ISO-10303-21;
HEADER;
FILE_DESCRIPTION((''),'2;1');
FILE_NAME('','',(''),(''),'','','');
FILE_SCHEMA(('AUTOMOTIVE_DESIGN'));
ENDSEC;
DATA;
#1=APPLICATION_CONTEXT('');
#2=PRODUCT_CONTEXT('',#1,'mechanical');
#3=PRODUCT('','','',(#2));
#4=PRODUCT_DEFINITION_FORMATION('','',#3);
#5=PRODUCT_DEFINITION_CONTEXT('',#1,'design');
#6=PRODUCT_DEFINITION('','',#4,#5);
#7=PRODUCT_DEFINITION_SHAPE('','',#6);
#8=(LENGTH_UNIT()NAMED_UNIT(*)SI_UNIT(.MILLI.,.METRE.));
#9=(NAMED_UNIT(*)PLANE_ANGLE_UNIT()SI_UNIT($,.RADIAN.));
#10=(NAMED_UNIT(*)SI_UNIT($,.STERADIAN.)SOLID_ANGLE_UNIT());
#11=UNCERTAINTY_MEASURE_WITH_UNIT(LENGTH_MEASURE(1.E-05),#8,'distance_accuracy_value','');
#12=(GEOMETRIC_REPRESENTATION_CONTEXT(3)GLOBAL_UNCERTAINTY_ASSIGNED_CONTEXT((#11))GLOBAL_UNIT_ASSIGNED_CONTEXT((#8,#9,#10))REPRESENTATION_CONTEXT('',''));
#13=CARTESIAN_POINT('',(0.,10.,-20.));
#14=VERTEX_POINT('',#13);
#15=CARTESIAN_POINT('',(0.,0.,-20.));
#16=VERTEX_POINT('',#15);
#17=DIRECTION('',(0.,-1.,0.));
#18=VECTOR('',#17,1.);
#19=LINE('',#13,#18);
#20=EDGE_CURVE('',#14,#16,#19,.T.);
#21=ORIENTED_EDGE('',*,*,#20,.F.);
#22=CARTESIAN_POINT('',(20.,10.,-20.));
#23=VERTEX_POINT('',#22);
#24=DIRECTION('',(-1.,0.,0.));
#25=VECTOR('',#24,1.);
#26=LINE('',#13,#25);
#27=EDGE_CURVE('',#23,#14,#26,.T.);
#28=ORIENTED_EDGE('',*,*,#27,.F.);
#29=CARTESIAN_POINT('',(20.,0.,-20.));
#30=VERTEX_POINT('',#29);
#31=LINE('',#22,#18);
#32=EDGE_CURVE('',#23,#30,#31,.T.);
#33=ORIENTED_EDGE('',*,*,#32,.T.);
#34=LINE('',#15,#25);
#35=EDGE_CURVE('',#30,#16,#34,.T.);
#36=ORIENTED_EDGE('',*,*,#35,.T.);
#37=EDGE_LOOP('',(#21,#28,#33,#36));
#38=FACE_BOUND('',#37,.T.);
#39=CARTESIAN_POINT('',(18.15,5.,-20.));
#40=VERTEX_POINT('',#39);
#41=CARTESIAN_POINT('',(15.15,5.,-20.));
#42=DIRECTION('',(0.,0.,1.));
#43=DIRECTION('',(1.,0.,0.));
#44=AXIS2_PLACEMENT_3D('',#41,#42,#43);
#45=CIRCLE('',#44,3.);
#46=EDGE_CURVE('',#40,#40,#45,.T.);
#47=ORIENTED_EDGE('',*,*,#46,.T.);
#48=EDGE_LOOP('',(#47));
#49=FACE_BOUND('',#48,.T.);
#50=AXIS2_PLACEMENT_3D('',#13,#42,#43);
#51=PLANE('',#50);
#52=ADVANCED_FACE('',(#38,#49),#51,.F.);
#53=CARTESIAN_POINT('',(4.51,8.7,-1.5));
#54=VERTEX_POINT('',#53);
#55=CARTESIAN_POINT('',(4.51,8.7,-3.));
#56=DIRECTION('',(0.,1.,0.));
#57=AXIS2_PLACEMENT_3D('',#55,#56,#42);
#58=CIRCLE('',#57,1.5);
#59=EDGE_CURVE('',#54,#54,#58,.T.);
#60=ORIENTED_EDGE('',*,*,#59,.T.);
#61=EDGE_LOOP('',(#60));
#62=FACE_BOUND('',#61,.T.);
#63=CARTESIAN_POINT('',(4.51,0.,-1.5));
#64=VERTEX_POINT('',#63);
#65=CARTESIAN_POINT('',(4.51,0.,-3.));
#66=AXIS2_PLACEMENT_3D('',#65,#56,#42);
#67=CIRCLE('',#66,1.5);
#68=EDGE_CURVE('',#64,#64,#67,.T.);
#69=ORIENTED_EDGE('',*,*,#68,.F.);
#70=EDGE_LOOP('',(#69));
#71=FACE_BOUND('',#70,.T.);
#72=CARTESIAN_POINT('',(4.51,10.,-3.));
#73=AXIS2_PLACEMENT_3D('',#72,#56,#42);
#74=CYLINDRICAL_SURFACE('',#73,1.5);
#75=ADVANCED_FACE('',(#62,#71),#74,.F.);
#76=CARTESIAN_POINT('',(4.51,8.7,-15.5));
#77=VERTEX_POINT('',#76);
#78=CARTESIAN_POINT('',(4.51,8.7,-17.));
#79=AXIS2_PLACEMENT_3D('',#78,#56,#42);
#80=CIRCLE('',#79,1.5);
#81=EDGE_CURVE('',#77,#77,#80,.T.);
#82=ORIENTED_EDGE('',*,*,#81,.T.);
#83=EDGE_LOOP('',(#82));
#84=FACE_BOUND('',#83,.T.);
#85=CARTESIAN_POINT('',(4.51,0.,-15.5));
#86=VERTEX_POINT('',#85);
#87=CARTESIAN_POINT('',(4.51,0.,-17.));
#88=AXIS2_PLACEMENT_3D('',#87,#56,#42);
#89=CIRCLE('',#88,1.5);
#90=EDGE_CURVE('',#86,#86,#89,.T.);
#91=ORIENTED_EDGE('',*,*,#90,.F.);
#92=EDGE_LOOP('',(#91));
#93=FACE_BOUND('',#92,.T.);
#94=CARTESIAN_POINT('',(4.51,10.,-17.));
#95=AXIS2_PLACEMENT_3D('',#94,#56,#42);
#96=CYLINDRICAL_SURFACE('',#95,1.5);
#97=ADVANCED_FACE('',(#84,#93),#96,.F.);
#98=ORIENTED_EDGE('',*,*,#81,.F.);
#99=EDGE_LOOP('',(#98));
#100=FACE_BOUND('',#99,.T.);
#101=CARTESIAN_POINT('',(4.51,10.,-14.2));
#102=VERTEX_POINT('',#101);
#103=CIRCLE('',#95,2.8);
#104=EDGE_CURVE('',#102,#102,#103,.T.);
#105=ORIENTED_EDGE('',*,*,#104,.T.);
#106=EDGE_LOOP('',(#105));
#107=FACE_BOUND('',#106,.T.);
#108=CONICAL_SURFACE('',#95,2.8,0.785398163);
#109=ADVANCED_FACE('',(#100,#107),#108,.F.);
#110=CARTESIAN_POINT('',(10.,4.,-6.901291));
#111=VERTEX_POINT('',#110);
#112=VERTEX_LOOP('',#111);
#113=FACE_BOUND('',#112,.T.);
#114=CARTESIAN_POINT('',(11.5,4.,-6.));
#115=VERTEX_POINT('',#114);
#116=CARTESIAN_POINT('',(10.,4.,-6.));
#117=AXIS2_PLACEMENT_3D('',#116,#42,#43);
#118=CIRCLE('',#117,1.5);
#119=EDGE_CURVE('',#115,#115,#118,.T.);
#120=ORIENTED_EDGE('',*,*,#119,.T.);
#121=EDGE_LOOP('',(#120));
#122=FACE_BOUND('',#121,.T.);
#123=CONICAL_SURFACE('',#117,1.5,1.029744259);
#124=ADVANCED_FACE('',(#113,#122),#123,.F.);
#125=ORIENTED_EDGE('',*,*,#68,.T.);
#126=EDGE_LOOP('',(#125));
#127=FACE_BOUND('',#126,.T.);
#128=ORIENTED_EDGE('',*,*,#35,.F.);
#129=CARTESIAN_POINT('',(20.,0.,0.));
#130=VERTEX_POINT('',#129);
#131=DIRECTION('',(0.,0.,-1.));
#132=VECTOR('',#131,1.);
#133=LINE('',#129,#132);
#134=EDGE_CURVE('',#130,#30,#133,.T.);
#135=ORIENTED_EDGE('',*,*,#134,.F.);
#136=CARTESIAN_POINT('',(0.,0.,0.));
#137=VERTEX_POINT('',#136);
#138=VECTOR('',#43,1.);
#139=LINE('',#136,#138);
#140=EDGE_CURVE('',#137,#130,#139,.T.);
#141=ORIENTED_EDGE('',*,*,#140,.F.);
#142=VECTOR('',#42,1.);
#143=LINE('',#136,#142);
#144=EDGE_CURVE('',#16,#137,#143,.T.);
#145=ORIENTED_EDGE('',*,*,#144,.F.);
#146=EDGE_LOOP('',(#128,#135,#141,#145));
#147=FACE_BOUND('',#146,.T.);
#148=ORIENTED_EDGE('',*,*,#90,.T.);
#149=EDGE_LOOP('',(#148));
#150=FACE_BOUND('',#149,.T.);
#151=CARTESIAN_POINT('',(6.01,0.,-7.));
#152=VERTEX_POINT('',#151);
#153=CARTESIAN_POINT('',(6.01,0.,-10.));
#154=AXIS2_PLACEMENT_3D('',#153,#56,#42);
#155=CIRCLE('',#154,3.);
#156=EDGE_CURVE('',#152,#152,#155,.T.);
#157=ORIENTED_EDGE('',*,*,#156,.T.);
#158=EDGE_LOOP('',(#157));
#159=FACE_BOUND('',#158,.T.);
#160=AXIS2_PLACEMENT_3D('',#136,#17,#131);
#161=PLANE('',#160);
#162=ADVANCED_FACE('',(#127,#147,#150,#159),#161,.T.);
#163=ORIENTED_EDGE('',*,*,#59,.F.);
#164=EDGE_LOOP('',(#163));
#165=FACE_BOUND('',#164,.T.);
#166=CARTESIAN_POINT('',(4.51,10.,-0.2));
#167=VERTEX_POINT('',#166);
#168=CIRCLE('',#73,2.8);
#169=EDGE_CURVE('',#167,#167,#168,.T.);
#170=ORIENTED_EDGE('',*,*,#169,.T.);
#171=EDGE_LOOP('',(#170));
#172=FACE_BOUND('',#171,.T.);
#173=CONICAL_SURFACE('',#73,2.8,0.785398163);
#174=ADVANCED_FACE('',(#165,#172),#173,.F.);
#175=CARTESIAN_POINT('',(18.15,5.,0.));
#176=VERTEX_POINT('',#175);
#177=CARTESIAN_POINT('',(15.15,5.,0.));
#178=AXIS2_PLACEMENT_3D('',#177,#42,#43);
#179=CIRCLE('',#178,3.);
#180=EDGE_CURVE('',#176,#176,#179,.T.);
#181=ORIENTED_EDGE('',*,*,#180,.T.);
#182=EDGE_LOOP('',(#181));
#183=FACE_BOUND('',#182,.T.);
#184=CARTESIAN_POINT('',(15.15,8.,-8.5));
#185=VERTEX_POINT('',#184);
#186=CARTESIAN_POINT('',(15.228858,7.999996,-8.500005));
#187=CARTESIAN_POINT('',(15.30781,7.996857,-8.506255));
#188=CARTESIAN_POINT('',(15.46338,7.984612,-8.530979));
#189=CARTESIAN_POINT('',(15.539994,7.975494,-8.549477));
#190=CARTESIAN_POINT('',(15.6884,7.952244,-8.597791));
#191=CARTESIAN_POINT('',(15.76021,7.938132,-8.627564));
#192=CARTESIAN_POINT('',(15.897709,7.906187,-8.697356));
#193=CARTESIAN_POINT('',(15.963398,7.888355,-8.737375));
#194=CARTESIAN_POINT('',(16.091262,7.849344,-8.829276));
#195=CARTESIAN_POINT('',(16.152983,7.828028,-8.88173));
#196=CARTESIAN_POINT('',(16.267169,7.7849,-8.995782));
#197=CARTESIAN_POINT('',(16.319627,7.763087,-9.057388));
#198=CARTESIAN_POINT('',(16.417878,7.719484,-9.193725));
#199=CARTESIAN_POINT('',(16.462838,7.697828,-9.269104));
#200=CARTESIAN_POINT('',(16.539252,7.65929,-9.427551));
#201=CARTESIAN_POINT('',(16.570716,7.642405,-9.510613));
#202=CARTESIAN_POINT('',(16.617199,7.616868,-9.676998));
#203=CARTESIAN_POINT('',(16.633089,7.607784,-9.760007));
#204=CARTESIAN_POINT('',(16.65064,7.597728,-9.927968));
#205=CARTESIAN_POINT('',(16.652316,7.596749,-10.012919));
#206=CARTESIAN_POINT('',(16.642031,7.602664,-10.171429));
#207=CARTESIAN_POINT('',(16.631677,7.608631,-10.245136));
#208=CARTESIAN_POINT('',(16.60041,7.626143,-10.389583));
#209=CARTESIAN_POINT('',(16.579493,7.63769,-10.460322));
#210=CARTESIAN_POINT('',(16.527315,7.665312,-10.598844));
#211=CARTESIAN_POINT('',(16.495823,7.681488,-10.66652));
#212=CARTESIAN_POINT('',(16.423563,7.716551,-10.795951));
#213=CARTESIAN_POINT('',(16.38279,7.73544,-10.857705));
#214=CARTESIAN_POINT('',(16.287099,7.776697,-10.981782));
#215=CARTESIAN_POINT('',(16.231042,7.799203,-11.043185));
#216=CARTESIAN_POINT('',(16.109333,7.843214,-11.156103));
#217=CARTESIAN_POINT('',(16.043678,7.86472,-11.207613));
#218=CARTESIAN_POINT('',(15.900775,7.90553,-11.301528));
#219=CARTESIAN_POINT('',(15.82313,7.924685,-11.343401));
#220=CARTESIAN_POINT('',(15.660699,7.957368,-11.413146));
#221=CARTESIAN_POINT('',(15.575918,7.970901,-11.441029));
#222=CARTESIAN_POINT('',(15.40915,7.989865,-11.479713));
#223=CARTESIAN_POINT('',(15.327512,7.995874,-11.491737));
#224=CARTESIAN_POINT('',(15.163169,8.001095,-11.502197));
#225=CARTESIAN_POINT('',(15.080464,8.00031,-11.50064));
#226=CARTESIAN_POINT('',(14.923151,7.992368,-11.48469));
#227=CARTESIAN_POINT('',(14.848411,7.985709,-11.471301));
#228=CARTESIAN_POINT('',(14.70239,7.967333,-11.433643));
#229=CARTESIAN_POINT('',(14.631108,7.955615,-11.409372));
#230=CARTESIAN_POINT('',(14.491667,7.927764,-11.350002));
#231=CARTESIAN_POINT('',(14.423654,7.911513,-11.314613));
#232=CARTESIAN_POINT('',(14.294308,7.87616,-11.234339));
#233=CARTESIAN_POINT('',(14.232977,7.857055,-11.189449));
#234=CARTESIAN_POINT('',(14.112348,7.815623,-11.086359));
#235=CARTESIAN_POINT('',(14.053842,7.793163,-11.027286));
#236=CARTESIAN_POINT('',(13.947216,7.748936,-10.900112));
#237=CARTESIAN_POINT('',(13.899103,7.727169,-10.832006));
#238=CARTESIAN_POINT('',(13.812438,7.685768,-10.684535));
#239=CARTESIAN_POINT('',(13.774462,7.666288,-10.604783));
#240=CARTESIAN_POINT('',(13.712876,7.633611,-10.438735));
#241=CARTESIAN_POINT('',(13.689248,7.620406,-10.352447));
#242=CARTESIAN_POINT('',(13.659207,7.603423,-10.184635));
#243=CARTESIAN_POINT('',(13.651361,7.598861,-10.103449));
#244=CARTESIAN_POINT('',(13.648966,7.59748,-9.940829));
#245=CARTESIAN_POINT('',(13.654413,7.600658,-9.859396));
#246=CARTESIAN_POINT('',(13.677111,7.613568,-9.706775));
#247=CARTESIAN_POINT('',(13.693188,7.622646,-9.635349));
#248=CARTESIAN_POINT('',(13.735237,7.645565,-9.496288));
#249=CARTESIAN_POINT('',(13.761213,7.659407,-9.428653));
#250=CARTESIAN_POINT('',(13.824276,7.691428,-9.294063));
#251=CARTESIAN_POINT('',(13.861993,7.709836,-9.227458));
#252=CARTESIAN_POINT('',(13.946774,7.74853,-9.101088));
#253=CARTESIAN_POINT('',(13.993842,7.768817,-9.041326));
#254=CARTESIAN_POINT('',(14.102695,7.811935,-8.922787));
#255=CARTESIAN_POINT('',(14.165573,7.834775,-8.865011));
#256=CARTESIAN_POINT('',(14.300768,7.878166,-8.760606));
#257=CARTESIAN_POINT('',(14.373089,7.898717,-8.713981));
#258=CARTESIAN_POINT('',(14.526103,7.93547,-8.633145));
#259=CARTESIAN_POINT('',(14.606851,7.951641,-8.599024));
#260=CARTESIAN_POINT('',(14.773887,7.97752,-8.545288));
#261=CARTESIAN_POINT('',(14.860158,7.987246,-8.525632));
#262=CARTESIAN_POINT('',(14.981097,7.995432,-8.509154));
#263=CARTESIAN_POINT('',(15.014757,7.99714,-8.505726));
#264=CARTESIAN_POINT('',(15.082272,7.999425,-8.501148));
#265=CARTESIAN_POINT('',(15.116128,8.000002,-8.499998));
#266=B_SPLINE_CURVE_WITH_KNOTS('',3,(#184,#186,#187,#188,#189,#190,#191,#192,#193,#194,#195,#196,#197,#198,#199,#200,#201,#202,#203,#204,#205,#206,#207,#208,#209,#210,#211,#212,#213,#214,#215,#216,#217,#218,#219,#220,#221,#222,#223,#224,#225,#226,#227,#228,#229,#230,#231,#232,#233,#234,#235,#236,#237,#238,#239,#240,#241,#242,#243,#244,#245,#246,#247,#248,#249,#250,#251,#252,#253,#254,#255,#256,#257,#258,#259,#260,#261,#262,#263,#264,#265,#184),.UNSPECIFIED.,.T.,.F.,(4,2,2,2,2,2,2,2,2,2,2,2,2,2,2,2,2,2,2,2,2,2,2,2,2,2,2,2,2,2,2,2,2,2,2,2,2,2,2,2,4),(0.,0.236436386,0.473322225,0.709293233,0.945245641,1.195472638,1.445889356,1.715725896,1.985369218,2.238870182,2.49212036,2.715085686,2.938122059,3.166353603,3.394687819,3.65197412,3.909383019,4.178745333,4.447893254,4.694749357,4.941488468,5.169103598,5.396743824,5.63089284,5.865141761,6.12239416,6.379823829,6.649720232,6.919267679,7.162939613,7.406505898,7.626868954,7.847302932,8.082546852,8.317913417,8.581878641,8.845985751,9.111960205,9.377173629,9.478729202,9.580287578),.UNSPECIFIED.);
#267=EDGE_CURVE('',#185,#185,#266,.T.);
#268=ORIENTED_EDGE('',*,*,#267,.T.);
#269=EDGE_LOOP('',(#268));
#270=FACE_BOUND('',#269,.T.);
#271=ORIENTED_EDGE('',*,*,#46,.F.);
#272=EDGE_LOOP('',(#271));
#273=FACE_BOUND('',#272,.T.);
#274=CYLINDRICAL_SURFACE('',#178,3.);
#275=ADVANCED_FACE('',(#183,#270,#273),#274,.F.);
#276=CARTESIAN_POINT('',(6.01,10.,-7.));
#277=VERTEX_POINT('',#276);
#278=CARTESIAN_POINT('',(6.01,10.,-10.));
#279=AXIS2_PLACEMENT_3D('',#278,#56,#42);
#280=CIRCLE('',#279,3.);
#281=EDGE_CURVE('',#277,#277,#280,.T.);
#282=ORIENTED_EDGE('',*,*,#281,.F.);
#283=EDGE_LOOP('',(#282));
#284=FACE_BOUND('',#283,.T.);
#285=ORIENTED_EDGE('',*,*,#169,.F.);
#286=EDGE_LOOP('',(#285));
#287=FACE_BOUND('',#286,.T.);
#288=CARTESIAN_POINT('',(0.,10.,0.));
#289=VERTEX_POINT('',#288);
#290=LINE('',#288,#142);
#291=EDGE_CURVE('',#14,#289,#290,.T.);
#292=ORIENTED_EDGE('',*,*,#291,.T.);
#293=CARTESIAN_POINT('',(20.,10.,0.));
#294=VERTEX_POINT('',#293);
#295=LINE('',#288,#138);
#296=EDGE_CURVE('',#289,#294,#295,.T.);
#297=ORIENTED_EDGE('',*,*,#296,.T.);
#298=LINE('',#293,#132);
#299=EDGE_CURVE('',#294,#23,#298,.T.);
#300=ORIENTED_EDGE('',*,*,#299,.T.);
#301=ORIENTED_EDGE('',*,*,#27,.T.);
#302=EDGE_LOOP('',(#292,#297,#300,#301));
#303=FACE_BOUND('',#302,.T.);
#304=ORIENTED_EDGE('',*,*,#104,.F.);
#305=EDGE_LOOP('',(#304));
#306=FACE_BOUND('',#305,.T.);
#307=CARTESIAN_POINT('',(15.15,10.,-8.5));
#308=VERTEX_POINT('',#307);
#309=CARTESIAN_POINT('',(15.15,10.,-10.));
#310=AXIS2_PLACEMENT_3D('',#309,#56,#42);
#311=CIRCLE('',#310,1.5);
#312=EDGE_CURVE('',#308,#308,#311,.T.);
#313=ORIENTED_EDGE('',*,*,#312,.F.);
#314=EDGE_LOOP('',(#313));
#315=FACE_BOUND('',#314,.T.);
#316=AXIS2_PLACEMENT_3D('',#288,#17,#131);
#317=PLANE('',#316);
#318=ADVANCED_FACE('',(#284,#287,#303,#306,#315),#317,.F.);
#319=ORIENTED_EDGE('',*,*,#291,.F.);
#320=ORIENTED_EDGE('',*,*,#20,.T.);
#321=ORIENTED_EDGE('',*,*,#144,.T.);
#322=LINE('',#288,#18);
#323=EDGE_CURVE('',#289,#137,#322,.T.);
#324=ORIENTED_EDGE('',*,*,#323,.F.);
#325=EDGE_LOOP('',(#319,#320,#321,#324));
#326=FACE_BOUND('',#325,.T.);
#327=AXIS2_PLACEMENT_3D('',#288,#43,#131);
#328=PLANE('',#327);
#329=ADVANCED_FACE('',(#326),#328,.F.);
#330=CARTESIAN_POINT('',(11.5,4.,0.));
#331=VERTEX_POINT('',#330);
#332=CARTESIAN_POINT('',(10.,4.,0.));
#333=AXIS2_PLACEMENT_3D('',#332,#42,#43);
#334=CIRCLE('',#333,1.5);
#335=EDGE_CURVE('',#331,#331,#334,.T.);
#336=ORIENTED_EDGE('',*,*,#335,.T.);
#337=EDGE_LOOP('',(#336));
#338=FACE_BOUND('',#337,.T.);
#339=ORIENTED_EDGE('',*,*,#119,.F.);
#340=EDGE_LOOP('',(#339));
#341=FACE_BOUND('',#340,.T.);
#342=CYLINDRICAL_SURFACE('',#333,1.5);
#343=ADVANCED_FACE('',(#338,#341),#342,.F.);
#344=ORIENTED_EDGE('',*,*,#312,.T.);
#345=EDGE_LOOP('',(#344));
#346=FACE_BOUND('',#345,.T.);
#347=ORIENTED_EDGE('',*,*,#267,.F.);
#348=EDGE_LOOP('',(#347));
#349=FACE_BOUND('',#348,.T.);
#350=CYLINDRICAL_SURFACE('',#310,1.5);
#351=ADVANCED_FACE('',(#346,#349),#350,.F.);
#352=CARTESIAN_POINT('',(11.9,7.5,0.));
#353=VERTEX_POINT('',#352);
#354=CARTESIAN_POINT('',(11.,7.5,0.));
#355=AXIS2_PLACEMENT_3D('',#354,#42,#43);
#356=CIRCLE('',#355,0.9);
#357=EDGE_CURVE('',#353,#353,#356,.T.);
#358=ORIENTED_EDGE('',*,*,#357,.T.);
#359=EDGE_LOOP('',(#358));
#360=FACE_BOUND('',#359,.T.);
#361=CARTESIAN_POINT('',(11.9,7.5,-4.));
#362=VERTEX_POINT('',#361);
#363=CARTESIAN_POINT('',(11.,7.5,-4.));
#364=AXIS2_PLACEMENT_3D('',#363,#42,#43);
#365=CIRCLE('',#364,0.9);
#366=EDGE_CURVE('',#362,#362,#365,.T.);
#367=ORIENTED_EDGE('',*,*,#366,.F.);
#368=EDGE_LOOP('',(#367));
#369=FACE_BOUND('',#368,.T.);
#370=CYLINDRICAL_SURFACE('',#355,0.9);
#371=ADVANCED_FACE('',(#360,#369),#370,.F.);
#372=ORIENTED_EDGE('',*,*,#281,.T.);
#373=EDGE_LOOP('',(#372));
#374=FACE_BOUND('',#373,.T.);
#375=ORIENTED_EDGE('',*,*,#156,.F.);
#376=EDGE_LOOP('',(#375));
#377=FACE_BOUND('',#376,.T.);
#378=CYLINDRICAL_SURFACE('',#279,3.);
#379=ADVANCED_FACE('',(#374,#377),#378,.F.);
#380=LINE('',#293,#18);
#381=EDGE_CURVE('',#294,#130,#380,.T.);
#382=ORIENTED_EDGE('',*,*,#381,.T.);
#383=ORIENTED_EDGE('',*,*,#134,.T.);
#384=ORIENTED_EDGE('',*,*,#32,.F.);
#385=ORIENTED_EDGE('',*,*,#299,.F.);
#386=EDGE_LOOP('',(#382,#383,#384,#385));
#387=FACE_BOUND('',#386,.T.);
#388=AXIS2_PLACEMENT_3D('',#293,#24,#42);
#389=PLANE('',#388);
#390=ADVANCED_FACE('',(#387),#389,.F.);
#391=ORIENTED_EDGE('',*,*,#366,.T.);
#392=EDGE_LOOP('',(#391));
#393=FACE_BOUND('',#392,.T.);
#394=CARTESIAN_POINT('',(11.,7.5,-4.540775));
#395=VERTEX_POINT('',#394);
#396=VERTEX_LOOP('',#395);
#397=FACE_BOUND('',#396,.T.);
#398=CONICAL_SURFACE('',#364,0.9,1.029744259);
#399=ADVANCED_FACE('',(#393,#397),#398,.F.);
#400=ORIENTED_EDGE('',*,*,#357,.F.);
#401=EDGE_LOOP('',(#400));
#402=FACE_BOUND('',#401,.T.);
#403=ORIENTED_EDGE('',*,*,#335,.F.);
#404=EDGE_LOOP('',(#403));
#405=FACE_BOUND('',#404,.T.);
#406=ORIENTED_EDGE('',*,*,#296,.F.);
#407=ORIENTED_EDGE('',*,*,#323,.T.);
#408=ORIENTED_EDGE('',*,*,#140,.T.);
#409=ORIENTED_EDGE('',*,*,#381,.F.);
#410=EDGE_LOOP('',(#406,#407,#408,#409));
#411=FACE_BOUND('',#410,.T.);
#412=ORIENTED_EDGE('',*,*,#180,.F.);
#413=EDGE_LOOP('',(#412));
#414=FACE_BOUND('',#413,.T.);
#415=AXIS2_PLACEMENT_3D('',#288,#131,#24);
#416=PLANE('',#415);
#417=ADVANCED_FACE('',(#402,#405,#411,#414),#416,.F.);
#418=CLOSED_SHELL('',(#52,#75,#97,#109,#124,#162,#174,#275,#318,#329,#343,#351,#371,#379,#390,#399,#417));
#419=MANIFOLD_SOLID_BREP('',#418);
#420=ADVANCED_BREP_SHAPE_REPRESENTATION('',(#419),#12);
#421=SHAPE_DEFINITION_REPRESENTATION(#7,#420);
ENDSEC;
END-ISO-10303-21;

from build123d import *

# Parameters (mm, degrees)
SKETCH1_W                                       = 20
SKETCH1_H                                       = 20
BOSS_EXTRUDE1_DEPTH                             = 10
F_6_0MM_DOWEL_HOLE2_D                           = 6
CSK_FOR_M3_FLAT_HEAD_MACHINE_SCREW1_D           = 3
CSK_FOR_M3_FLAT_HEAD_MACHINE_SCREW1_CSINK_D     = 5.6
CSK_FOR_M3_FLAT_HEAD_MACHINE_SCREW1_CSINK_ANGLE = 90
F_6_0MM_DOWEL_HOLE3_D                           = 6
F_3_0MM_DOWEL_HOLE1_REACH                       = 32
F_3_0MM_DOWEL_HOLE1_BORE_R                      = 1.5
F_3_0MM_DOWEL_HOLE2_D                           = 3
F_3_0MM_DOWEL_HOLE2_DEPTH                       = 6
F_3_0MM_DOWEL_HOLE2_TIP                         = 0.901290929
F_1_5MM_DOWEL_HOLE1_D                           = 1.8
F_1_5MM_DOWEL_HOLE1_DEPTH                       = 4
F_1_5MM_DOWEL_HOLE1_TIP                         = 0.540774557


with BuildPart() as part:
    # Sketch1 → Boss-Extrude1 (new body)
    with BuildSketch(Plane(origin=(0, 0, 0), x_dir=(1, 0, 0), z_dir=(0, 1, 0))):
        with Locations((10, 10)):
            Rectangle(SKETCH1_W, SKETCH1_H)
    extrude(amount=BOSS_EXTRUDE1_DEPTH)

    # Ø6.0mm Dowel Hole2 (through all)
    with Locations(Plane(origin=(0, 10, 0), x_dir=(1, 0, 0), z_dir=(0, 1, 0))):
        with Locations((6.01, 10)):
            Hole(F_6_0MM_DOWEL_HOLE2_D / 2)

    # CSK for M3 Flat Head Machine Screw1 (through all)
    with Locations(Plane(origin=(0, 10, 0), x_dir=(1, 0, 0), z_dir=(0, 1, 0))):
        with Locations((4.51, 3), (4.51, 17)):
            CounterSinkHole(CSK_FOR_M3_FLAT_HEAD_MACHINE_SCREW1_D / 2, CSK_FOR_M3_FLAT_HEAD_MACHINE_SCREW1_CSINK_D / 2, counter_sink_angle=CSK_FOR_M3_FLAT_HEAD_MACHINE_SCREW1_CSINK_ANGLE)

    # Ø6.0mm Dowel Hole3 (through all)
    with Locations(Plane.XY):
        with Locations((15.15, 5)):
            Hole(F_6_0MM_DOWEL_HOLE3_D / 2)

    # Ø3.0mm Dowel Hole1 bore → Ø3.0mm Dowel Hole1 (cut, up to next)
    with BuildSketch(Plane(origin=(0, 10, 0), x_dir=(1, 0, 0), z_dir=(0, 1, 0)), mode=Mode.PRIVATE) as f_3_0mm_dowel_hole1_sk1:
        with Locations((15.15, 10)):
            Circle(F_3_0MM_DOWEL_HOLE1_BORE_R)
    f_3_0mm_dowel_hole1_tool1 = extrude(f_3_0mm_dowel_hole1_sk1.sketch, amount=-F_3_0MM_DOWEL_HOLE1_REACH, mode=Mode.PRIVATE) & part.part
    add(f_3_0mm_dowel_hole1_tool1.solids().sort_by_distance((15.15, 10, -10))[0], mode=Mode.SUBTRACT)

    # Ø3.0mm Dowel Hole2
    with Locations(Plane.XY):
        with Locations((10, 4)):
            Hole(F_3_0MM_DOWEL_HOLE2_D / 2, depth=F_3_0MM_DOWEL_HOLE2_DEPTH)
            with Locations((0, 0, -(F_3_0MM_DOWEL_HOLE2_DEPTH + F_3_0MM_DOWEL_HOLE2_TIP / 2))):  # 118° drill point
                Cone(0, F_3_0MM_DOWEL_HOLE2_D / 2, F_3_0MM_DOWEL_HOLE2_TIP, mode=Mode.SUBTRACT)

    # Ø1.5mm Dowel Hole1
    with Locations(Plane.XY):
        with Locations((11, 7.5)):
            Hole(F_1_5MM_DOWEL_HOLE1_D / 2, depth=F_1_5MM_DOWEL_HOLE1_DEPTH)
            with Locations((0, 0, -(F_1_5MM_DOWEL_HOLE1_DEPTH + F_1_5MM_DOWEL_HOLE1_TIP / 2))):  # 118° drill point
                Cone(0, F_1_5MM_DOWEL_HOLE1_D / 2, F_1_5MM_DOWEL_HOLE1_TIP, mode=Mode.SUBTRACT)


solid = part.part
